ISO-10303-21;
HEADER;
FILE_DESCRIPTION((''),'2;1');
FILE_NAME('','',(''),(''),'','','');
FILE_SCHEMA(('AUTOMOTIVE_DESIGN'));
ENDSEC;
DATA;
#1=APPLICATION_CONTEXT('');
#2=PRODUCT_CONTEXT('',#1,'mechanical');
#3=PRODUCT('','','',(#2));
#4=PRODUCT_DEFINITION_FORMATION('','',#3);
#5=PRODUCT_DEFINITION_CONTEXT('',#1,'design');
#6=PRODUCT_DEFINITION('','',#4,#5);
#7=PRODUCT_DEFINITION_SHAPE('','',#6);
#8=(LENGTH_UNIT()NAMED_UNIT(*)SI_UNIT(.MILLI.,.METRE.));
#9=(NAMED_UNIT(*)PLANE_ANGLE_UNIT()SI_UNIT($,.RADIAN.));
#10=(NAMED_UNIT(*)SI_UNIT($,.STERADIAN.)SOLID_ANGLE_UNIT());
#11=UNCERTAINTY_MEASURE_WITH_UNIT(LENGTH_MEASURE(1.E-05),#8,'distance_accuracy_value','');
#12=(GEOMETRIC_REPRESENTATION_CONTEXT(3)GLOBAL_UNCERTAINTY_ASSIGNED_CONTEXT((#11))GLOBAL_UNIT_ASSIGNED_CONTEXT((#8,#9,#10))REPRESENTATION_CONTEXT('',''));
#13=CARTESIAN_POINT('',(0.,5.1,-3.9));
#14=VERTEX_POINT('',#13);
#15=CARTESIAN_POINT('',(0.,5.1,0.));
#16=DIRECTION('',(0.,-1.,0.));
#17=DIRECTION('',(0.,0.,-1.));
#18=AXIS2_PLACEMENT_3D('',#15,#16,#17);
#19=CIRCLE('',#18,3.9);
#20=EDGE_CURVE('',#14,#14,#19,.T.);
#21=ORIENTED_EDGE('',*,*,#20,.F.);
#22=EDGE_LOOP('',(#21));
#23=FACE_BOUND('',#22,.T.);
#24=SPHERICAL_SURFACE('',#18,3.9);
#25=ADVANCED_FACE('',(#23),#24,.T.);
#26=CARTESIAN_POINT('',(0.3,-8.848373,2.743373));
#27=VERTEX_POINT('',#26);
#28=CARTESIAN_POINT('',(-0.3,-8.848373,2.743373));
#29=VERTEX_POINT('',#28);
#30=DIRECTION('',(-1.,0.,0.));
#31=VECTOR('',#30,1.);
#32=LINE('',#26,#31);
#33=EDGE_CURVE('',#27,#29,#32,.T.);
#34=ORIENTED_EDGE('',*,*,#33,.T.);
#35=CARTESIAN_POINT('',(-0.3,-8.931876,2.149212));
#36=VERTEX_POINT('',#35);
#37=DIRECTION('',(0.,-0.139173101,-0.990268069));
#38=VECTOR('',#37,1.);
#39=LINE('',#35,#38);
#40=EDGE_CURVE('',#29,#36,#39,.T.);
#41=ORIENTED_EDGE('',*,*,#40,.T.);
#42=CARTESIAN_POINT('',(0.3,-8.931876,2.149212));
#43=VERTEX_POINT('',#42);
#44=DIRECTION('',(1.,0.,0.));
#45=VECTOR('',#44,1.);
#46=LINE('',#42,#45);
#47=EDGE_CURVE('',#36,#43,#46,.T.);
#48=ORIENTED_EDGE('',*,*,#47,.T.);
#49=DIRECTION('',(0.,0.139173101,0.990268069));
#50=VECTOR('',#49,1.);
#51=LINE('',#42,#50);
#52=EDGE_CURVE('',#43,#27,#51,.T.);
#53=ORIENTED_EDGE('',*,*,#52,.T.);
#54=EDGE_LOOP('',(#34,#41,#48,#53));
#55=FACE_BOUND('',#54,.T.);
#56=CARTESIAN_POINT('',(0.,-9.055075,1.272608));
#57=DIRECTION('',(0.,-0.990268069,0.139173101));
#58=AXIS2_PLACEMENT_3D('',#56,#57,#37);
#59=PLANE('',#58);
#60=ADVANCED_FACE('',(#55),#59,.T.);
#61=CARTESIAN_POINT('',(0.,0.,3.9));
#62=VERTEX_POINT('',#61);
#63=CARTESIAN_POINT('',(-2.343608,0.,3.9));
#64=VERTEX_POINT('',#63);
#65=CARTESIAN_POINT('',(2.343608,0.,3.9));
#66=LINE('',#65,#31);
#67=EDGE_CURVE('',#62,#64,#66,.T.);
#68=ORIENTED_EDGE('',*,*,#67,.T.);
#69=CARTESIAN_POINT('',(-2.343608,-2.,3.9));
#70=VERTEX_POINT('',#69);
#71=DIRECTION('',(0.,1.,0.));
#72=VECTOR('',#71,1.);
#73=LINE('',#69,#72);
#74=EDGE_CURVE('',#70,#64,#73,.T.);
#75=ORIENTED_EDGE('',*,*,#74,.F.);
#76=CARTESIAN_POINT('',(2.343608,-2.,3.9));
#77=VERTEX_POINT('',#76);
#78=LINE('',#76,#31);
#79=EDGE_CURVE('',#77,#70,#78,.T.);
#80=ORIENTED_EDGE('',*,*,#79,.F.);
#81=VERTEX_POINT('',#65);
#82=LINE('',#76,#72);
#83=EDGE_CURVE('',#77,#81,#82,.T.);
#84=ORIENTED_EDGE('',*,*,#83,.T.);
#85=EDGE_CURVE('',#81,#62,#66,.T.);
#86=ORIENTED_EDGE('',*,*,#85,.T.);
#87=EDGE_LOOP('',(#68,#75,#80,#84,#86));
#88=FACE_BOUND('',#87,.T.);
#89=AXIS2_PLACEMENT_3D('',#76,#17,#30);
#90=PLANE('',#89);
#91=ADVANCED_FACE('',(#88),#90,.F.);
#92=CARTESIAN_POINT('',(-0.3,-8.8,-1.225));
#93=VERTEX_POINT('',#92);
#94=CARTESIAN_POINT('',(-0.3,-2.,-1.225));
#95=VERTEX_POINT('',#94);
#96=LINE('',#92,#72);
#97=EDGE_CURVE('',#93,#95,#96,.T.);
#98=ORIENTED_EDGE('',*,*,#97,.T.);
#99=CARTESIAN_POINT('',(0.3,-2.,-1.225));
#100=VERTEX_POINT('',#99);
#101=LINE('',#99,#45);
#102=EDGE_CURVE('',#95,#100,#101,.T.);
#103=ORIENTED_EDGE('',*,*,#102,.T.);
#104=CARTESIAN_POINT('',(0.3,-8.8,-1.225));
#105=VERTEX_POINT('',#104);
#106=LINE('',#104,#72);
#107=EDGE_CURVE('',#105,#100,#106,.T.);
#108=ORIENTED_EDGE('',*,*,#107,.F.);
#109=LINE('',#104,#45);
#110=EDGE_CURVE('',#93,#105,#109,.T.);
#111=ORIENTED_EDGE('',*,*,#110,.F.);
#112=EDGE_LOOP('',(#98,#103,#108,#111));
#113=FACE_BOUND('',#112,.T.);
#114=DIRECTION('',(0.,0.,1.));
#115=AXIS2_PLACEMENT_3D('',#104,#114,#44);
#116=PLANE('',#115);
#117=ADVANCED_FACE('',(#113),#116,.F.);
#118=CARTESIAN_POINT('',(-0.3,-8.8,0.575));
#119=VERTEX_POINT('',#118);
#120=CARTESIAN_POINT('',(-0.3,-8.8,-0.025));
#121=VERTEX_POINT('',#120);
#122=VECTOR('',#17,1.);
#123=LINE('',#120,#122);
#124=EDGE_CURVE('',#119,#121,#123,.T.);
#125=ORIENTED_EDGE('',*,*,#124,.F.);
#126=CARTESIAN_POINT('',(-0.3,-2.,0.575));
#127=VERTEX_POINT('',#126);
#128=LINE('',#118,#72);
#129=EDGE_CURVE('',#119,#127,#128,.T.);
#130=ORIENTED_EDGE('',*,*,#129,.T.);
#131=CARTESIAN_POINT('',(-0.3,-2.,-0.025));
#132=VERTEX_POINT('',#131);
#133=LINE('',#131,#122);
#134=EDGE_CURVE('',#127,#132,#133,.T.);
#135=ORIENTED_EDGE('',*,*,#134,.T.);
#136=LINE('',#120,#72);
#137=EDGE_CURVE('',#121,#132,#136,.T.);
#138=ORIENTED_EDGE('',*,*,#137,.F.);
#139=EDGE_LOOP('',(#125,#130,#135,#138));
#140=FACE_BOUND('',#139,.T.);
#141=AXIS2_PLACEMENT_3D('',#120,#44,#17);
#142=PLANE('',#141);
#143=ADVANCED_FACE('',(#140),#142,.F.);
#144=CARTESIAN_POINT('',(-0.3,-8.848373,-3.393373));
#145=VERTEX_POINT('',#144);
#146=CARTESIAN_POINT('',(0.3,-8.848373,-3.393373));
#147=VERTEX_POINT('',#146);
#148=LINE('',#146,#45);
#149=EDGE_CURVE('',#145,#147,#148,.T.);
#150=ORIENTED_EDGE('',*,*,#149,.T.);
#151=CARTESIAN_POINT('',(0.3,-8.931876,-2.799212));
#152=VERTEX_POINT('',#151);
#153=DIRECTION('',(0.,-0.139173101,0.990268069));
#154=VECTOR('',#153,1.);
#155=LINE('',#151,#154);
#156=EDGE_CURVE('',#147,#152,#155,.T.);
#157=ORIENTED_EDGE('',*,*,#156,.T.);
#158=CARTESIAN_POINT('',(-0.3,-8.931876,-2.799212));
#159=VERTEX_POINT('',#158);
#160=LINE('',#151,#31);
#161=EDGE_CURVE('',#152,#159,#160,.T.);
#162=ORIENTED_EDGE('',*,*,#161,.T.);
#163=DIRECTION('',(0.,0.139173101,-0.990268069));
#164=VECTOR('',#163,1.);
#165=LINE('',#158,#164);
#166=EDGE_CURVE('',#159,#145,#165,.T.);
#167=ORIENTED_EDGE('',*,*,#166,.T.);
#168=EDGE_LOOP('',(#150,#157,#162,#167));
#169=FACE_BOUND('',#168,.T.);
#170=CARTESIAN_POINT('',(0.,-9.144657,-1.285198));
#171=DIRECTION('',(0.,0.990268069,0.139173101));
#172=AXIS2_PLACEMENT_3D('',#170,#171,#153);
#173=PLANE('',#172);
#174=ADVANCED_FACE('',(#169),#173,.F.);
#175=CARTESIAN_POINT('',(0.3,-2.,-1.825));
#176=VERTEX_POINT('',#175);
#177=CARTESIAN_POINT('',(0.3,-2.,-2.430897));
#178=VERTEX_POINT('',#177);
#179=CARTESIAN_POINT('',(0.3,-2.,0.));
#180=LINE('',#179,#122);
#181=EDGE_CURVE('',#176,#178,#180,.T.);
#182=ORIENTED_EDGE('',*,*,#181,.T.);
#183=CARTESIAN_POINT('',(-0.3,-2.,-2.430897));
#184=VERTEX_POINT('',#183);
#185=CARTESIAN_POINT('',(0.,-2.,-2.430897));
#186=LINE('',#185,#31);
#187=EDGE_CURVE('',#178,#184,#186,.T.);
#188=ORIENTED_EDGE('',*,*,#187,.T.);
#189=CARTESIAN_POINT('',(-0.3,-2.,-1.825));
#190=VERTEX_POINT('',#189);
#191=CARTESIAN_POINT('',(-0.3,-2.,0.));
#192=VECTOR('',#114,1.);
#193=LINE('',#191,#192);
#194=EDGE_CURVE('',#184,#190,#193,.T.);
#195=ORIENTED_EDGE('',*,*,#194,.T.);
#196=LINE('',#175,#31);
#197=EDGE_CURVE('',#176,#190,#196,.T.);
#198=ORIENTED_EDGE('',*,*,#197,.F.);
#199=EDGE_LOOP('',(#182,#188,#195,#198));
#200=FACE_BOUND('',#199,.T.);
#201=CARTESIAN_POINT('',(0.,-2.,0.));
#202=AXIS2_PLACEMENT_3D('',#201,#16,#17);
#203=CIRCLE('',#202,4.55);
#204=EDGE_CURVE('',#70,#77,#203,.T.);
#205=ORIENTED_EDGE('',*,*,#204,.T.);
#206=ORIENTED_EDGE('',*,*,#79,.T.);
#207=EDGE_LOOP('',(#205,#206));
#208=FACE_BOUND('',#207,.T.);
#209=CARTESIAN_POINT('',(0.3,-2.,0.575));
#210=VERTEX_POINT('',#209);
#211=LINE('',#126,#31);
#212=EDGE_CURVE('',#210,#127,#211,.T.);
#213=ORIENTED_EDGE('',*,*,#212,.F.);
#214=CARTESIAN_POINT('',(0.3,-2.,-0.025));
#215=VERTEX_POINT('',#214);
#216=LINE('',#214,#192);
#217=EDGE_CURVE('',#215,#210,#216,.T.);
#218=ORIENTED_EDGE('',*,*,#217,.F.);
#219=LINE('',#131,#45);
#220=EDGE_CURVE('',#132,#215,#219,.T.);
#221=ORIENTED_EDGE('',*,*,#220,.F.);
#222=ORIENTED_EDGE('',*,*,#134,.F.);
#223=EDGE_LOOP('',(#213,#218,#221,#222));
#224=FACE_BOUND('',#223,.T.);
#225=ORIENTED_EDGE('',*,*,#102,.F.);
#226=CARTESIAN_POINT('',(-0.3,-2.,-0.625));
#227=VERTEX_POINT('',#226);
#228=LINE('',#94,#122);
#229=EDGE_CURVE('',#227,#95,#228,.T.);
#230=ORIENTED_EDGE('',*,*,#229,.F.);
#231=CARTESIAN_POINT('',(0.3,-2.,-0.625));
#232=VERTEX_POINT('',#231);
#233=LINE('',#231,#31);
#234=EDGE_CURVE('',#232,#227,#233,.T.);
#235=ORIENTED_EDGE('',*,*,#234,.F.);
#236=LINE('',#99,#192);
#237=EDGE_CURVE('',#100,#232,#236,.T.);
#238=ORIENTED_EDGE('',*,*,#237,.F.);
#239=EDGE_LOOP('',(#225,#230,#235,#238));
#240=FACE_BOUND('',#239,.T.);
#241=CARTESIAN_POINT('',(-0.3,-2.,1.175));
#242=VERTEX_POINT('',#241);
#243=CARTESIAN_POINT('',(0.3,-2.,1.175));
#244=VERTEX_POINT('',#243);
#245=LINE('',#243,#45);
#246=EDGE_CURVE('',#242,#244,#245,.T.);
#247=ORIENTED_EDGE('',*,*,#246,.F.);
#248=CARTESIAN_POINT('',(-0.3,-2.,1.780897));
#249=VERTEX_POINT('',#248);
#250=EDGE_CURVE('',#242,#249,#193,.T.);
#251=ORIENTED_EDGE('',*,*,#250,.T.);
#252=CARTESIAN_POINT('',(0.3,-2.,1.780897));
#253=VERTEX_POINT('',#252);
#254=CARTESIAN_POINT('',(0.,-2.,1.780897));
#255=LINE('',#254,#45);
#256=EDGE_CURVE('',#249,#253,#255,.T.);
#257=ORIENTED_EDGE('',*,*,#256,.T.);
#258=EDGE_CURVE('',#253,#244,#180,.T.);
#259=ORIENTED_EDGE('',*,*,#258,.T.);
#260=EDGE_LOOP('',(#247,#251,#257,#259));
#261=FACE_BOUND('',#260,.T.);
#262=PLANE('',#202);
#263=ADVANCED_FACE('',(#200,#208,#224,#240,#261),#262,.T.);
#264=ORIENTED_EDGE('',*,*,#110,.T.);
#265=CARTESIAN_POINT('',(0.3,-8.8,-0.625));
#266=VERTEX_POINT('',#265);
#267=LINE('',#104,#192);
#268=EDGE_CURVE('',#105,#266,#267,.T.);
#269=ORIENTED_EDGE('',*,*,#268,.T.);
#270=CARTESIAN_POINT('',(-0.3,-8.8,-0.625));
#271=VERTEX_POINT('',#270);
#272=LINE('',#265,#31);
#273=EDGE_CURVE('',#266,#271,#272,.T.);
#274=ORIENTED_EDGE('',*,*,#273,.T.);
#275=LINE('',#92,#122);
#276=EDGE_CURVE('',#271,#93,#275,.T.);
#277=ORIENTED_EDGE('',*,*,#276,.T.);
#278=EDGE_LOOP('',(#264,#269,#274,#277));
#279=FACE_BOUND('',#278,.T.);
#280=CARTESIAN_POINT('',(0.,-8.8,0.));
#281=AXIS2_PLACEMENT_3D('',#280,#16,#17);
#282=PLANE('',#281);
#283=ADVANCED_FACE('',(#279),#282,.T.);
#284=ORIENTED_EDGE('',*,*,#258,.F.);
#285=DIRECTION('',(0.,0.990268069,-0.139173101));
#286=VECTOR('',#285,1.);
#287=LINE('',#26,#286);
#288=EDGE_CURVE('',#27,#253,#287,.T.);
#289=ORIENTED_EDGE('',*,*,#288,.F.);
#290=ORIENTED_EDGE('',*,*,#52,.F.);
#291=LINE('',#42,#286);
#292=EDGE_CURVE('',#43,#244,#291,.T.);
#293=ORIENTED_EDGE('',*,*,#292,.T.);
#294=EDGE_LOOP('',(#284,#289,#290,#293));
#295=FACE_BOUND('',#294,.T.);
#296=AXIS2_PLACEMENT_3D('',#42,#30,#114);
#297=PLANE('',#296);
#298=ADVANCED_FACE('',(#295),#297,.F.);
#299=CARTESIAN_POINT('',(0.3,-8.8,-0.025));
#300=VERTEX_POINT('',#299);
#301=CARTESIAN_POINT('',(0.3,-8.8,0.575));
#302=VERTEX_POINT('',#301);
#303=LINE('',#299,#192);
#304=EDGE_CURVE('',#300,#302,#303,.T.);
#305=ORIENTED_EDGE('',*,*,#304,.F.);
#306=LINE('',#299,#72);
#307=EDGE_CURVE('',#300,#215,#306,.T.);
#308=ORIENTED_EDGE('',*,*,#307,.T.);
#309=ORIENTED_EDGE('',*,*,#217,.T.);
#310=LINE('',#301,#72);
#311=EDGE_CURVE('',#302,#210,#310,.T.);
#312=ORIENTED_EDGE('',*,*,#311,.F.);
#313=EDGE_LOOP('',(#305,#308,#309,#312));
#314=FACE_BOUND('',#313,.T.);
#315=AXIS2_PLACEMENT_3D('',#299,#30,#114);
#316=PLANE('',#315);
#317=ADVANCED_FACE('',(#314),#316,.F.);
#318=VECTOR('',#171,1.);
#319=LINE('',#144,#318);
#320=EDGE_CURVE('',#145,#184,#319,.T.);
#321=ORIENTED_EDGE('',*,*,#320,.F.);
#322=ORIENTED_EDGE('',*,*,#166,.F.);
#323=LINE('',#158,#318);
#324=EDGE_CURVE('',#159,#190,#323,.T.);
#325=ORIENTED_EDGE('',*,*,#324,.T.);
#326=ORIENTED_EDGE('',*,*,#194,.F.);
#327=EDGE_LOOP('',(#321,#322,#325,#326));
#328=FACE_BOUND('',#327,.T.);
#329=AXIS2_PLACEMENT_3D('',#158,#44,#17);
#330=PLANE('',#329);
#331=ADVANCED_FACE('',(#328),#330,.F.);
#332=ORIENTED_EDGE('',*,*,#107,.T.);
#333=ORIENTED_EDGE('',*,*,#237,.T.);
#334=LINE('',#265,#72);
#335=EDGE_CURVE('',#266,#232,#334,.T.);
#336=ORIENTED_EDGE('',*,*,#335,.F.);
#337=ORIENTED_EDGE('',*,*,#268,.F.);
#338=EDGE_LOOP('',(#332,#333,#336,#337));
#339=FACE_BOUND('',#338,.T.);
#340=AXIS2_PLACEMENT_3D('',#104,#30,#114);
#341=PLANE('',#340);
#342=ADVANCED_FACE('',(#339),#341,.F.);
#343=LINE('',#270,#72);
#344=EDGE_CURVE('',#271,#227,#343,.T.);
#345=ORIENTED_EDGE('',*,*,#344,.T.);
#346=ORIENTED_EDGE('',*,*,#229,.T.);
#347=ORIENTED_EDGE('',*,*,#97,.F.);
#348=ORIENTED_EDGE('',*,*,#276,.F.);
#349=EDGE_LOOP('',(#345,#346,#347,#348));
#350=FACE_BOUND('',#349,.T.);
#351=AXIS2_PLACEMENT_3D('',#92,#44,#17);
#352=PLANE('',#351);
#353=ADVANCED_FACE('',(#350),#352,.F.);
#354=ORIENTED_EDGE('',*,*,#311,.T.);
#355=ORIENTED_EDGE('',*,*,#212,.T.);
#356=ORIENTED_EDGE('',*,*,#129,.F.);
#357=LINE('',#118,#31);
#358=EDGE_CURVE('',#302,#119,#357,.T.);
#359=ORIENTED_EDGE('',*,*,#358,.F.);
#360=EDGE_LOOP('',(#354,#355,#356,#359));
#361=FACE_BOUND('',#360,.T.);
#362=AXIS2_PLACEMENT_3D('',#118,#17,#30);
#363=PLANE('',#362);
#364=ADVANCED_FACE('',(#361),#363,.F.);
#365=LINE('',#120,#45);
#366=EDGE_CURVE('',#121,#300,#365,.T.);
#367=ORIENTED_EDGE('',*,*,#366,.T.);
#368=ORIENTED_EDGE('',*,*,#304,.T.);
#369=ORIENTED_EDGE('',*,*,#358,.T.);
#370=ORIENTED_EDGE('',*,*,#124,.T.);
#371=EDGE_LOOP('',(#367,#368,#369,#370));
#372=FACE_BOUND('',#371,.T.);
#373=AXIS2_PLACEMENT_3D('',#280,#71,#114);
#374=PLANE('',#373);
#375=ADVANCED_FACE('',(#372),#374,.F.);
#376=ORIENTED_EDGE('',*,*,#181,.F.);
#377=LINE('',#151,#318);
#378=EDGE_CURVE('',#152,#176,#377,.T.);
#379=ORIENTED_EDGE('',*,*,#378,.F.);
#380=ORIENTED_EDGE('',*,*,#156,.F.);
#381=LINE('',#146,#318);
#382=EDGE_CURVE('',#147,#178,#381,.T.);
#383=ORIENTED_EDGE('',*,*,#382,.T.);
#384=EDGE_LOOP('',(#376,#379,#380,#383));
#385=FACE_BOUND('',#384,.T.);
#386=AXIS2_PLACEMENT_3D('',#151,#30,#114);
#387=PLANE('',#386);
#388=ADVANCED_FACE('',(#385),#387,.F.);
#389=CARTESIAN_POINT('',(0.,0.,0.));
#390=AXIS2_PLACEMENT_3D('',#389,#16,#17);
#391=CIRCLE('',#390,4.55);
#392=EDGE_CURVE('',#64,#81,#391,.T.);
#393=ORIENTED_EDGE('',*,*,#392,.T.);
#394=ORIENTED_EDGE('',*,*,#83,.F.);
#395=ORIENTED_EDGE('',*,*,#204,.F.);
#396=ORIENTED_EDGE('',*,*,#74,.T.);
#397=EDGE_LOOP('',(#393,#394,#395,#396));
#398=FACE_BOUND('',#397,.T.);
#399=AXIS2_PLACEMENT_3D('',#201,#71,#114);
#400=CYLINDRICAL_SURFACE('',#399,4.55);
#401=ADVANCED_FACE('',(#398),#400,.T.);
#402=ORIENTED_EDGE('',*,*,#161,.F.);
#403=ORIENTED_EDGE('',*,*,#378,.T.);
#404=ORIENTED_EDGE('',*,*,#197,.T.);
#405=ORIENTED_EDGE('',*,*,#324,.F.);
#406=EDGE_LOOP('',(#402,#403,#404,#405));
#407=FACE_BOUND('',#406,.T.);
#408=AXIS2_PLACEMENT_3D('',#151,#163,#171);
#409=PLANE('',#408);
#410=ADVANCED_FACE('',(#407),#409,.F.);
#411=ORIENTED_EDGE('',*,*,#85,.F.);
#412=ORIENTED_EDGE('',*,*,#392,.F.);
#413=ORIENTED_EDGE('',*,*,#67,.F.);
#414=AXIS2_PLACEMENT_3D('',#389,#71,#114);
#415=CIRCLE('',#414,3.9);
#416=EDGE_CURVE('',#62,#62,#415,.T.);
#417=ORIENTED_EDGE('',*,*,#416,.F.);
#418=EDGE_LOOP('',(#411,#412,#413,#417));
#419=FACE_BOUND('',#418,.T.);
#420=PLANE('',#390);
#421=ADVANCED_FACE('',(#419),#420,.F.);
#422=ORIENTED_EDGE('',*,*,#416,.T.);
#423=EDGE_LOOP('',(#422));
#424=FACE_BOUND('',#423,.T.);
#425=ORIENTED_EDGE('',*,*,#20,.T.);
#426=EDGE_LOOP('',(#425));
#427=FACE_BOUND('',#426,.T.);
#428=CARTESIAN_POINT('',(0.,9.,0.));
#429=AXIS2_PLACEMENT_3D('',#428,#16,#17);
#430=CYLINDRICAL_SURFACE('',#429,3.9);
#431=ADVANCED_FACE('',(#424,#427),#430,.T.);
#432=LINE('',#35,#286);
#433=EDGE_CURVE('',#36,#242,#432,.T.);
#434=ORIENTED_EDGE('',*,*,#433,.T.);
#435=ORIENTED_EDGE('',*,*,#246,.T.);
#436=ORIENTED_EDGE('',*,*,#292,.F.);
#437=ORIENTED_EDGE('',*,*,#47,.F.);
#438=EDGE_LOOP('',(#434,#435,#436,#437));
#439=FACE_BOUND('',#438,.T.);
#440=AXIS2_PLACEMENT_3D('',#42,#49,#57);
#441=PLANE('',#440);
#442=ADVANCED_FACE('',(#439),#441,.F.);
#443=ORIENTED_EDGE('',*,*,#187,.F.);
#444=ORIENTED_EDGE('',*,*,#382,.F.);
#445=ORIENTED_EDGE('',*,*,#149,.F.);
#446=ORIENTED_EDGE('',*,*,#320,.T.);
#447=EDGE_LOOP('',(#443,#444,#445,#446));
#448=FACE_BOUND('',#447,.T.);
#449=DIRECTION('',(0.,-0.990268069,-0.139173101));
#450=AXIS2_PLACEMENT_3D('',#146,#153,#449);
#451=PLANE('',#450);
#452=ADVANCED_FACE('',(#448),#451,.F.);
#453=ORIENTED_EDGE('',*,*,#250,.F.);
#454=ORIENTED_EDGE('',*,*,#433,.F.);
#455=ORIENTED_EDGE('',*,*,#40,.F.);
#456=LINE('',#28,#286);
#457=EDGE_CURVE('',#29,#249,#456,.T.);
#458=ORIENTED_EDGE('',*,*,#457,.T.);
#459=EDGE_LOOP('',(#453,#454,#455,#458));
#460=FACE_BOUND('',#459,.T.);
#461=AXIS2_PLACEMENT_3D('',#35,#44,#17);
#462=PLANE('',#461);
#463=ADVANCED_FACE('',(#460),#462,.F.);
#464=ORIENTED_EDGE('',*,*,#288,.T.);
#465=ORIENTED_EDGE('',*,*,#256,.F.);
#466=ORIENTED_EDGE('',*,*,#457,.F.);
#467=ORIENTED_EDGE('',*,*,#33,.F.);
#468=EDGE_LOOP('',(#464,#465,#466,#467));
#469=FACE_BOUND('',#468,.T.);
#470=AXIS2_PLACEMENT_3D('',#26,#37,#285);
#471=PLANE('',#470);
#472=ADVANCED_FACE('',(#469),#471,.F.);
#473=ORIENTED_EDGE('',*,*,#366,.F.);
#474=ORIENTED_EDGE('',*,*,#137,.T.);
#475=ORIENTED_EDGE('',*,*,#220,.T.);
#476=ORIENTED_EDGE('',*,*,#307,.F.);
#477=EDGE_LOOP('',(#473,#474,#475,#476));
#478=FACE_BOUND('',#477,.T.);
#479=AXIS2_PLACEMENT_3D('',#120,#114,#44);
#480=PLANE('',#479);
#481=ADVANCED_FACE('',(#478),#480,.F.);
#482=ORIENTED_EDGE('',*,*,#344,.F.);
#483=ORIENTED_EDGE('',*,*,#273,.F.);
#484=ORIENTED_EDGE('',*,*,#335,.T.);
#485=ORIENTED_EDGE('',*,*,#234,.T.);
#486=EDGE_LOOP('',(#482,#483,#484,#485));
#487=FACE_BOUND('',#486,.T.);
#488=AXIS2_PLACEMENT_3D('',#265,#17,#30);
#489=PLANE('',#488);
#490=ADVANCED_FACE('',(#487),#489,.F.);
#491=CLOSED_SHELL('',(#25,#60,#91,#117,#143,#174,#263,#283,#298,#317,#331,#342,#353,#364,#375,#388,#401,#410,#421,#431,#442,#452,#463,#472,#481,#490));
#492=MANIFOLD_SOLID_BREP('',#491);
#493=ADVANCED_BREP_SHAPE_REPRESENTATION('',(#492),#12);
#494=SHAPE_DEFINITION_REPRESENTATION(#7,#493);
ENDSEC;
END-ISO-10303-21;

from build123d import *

# Parameters (mm, degrees)
ESQUISSE1_R        = 3.9
BOSS_EXTRU_1_DEPTH = 9
CONG_1_R           = 3.9
BOSS_EXTRU_2_DEPTH = 2
ESQUISSE3_W        = 0.6
ESQUISSE3_H        = 0.6
BOSS_EXTRU_3_DEPTH = 6.8
ESQUISSE6_W        = 0.6
ESQUISSE6_H        = 0.6
BOSS_EXTRU_4_DEPTH = 7
ESQUISSE8_W        = 0.6
ESQUISSE8_H        = 0.6
BOSS_EXTRU_5_DEPTH = 7


with BuildPart() as part:
    # Esquisse1 → Boss.-Extru.1 (new body)
    with BuildSketch(Plane(origin=(0, 0, 0), x_dir=(1, 0, 0), z_dir=(0, 1, 0))):
        Circle(ESQUISSE1_R)
    extrude(amount=BOSS_EXTRU_1_DEPTH)

    # Congé1
    cong_1_edges = [part.edges().sort_by_distance(p)[0] for p in [
        (-3.9, 9, 0),
    ]]
    fillet(cong_1_edges, radius=CONG_1_R)

    # Esquisse2 → Boss.-Extru.2 (add)
    with BuildSketch(Plane.XZ):
        with BuildLine():
            Line((2.343608329, 3.9), (-2.343608329, 3.9))
            ThreePointArc((-2.343608329, 3.9), (0, -4.55), (2.343608329, 3.9))
        make_face()
    extrude(amount=BOSS_EXTRU_2_DEPTH)

    # Esquisse3 → Boss.-Extru.3 (add)
    with BuildSketch(Plane.XZ.offset(2)):
        with Locations((0, 0.275)):
            Rectangle(ESQUISSE3_W, ESQUISSE3_H)
        with Locations((0, -0.925)):
            Rectangle(ESQUISSE3_W, ESQUISSE3_H)
    extrude(amount=BOSS_EXTRU_3_DEPTH)

    # Esquisse6 → Boss.-Extru.4 (add)
    with BuildSketch(Plane(origin=(0, -2.123198642, 0.298396109), x_dir=(-1, 0, 0), z_dir=(0, -0.990268069, 0.139173101))):
        with Locations((0, -1.185218779)):
            Rectangle(ESQUISSE6_W, ESQUISSE6_H)
    extrude(amount=BOSS_EXTRU_4_DEPTH)

    # Esquisse8 → Boss.-Extru.5 (add)
    with BuildSketch(Plane(origin=(0, -2.212780783, -0.310986058), x_dir=(-1, 0, 0), z_dir=(0, -0.990268069, -0.139173101))):
        with Locations((0, 1.828893024)):
            Rectangle(ESQUISSE8_W, ESQUISSE8_H)
    extrude(amount=BOSS_EXTRU_5_DEPTH)


solid = part.part
